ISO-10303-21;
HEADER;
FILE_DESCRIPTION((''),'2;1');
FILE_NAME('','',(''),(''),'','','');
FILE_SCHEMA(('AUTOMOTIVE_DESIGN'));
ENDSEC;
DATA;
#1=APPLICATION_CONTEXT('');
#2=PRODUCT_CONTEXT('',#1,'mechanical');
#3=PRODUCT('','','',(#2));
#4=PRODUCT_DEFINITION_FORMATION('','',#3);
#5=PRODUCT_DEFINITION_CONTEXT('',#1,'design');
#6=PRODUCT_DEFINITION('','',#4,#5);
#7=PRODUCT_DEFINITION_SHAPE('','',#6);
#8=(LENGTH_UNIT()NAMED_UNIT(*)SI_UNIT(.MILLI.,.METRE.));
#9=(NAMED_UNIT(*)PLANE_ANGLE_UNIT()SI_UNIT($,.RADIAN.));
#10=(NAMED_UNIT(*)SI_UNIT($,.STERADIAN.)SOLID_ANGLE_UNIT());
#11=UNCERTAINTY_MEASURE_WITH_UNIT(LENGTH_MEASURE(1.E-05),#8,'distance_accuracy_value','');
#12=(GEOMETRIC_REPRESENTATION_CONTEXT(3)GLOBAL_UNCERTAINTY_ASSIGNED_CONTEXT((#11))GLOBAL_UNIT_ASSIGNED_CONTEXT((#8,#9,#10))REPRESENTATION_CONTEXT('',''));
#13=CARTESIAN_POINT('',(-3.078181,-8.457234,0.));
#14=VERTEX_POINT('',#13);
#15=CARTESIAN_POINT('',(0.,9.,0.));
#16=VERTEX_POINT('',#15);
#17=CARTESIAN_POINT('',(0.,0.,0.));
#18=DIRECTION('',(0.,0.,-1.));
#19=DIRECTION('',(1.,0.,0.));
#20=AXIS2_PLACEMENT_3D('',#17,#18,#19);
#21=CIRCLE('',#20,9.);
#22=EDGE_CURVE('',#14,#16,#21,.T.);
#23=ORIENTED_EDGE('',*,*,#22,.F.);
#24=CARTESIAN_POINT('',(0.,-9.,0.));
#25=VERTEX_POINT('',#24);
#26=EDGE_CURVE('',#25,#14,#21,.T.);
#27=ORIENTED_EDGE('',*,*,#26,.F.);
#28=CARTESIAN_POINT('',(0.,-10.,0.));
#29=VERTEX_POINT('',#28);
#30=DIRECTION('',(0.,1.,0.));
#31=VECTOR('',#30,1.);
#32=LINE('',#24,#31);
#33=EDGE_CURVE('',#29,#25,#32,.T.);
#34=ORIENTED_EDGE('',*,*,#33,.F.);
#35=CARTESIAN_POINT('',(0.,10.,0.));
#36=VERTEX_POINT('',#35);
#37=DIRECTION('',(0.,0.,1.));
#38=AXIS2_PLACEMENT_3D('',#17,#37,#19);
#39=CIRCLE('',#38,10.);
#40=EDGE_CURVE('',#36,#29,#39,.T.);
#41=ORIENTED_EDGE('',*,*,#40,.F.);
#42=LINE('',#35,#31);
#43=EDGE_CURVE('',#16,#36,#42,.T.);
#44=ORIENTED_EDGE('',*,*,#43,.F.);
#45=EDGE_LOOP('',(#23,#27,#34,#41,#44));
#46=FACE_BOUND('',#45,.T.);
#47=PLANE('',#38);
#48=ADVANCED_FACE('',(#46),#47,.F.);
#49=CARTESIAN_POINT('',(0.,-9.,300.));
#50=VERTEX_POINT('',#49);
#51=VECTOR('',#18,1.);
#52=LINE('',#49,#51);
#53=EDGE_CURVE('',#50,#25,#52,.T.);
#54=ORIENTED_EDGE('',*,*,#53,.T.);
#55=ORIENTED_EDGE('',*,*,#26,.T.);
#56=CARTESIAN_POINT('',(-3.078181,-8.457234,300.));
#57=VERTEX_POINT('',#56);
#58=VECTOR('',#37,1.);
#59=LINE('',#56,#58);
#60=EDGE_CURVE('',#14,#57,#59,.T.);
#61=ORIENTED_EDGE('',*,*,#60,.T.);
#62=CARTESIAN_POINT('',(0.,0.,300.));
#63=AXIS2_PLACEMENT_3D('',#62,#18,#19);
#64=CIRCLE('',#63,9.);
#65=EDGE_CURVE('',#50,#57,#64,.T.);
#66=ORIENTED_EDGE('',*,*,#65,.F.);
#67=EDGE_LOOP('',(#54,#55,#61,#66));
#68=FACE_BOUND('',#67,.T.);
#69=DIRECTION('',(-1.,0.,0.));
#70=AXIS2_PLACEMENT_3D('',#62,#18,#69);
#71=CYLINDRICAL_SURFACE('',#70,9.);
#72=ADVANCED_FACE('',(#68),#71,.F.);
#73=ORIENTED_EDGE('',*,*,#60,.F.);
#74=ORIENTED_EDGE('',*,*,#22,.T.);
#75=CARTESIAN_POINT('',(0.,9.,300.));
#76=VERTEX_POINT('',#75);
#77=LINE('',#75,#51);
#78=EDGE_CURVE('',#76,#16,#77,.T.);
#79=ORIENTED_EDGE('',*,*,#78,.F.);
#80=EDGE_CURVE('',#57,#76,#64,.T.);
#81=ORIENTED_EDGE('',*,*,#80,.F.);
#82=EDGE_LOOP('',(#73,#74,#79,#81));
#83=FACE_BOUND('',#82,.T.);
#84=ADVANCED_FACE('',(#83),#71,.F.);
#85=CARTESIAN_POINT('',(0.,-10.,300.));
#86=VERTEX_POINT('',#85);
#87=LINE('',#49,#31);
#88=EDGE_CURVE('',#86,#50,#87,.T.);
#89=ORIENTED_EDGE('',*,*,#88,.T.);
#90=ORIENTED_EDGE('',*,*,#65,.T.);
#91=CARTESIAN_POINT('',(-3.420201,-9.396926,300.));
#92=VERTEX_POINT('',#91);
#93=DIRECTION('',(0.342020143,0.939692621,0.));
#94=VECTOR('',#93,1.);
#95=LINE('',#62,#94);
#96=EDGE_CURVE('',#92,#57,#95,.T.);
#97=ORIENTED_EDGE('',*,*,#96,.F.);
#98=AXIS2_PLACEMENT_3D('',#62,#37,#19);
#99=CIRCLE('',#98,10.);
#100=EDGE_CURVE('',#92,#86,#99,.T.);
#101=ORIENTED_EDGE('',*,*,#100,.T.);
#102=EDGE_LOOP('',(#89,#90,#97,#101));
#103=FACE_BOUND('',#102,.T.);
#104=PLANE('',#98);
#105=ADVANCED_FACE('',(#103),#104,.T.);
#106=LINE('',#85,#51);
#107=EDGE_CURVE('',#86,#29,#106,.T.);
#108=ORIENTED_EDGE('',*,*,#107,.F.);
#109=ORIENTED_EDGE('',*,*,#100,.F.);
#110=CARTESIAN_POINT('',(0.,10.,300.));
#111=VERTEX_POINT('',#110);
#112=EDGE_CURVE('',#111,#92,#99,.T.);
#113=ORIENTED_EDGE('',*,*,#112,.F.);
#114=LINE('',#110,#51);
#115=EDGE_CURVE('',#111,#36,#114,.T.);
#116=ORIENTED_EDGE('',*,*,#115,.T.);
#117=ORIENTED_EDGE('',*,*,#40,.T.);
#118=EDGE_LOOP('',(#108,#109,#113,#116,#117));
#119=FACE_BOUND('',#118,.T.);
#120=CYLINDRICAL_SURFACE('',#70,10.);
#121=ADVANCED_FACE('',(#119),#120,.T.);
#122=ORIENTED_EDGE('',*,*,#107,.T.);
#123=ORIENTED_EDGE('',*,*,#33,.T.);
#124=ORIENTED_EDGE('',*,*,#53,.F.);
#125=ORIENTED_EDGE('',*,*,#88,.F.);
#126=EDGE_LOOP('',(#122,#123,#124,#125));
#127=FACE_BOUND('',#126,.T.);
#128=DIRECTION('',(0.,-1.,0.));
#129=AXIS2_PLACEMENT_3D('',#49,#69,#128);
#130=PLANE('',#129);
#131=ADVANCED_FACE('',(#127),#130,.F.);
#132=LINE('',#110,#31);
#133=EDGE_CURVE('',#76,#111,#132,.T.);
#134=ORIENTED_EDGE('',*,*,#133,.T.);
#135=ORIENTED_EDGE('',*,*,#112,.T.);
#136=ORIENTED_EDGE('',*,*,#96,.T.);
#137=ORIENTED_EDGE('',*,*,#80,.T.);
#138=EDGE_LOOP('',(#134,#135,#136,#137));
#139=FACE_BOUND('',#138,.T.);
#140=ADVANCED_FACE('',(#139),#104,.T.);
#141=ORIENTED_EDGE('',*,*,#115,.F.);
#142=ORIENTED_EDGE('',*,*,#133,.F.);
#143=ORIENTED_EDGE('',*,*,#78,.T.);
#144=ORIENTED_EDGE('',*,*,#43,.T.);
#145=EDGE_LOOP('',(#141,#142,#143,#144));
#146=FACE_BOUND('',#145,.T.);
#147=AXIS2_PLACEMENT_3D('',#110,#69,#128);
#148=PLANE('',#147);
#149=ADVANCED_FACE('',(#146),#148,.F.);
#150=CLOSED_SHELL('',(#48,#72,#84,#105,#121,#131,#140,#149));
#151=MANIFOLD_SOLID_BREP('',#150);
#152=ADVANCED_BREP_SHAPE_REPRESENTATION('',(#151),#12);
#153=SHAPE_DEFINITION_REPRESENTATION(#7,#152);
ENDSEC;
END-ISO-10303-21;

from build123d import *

# Parameters (mm, degrees)
AUFSATZ_LINEAR_AUSTRAGEN1_DEPTH = 300


with BuildPart() as part:
    # Skizze1 → Aufsatz-Linear austragen1 (new body)
    with BuildSketch(Plane.XY):
        with BuildLine():
            Line((0, 10), (0, 9))
            ThreePointArc((0, 9), (-9, 0), (0, -9))
            Line((0, -9), (0, -10))
            ThreePointArc((0, -10), (-10, 0), (0, 10))
        make_face()
    extrude(amount=AUFSATZ_LINEAR_AUSTRAGEN1_DEPTH)


solid = part.part
